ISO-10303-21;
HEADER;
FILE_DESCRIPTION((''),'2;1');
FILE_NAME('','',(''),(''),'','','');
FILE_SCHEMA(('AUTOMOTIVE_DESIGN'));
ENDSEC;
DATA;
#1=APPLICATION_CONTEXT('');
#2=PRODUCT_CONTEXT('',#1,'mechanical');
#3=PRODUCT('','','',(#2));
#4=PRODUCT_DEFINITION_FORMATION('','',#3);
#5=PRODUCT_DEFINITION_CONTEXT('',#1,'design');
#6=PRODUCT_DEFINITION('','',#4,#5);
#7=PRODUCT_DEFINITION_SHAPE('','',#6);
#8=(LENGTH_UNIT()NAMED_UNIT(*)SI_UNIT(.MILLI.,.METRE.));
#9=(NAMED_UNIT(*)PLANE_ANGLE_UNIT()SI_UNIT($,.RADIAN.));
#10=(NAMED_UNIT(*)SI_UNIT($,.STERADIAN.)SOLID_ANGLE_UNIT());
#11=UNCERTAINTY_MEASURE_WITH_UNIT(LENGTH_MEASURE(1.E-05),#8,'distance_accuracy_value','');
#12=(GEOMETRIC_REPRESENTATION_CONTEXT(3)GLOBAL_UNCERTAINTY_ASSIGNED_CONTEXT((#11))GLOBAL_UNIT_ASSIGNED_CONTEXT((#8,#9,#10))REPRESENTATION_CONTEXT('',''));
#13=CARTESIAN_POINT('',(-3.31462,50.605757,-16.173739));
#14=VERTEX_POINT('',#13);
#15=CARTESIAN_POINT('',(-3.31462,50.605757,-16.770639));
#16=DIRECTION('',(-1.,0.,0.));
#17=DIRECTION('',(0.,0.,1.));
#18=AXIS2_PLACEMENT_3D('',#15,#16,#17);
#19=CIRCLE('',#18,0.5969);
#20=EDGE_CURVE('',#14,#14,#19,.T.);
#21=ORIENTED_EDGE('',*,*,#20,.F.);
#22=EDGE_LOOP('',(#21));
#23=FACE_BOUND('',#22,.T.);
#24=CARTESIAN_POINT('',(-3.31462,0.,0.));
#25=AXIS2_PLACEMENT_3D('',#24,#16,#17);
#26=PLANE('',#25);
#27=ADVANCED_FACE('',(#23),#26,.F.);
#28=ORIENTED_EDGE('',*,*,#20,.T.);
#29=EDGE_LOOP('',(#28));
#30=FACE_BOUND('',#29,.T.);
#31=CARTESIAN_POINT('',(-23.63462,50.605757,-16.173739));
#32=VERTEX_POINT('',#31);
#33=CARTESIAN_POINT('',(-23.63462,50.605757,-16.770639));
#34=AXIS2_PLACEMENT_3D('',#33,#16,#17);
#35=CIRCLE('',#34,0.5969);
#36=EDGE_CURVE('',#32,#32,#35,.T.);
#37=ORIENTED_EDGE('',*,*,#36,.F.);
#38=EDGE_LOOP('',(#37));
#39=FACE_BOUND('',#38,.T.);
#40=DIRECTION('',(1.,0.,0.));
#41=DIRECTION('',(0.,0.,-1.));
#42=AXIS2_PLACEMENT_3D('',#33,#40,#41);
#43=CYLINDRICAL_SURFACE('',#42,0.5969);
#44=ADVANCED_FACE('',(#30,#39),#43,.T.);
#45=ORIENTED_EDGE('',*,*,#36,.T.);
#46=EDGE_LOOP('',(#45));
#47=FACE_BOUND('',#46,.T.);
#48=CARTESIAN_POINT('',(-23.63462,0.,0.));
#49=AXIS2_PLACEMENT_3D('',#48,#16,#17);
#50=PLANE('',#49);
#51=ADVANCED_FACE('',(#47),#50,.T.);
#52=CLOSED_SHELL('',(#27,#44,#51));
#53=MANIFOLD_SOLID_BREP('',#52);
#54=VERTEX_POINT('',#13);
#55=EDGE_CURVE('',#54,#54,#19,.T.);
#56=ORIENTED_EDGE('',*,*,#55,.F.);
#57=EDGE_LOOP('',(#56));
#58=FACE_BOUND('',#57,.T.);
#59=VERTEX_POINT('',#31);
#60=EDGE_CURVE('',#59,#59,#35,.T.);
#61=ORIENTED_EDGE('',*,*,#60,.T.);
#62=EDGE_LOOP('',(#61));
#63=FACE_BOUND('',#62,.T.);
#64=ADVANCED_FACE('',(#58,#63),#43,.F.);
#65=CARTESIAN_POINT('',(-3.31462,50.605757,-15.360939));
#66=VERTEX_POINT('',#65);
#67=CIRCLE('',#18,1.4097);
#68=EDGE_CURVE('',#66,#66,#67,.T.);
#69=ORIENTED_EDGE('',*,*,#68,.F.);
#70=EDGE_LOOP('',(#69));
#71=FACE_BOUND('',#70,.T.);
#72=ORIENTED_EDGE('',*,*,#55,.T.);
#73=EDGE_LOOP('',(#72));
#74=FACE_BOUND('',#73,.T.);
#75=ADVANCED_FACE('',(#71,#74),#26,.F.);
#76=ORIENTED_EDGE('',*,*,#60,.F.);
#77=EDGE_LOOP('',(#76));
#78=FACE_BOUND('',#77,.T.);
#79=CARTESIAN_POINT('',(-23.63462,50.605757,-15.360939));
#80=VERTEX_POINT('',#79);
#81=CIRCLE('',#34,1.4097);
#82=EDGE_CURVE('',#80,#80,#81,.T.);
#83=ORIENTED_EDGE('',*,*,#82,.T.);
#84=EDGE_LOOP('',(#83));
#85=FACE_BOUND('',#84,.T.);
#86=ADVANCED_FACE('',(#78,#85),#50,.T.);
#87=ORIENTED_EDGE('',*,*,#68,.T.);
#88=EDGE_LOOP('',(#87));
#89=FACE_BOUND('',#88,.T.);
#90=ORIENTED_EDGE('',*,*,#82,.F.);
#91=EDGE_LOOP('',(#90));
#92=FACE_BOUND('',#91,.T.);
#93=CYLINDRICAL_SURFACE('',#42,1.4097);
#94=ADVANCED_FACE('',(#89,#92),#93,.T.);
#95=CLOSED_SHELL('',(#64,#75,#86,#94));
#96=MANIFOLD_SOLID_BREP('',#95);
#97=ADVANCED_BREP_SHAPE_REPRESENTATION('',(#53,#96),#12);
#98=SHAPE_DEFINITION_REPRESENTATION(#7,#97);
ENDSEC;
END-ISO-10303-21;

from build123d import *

# Parameters (mm, degrees)
SKETCH1_R           = 0.5969
BOSS_EXTRUDE1_DEPTH = 20.32
SKETCH1_3_R         = 1.4097
SKETCH1_3_R_2       = 0.5969
BOSS_EXTRUDE2_DEPTH = 20.32


with BuildPart() as part:
    # Sketch1 → Boss-Extrude1 (new body)
    with BuildSketch(Plane.ZY.offset(3.314620275)):
        with Locations((-16.770638736, 50.605756537)):
            Circle(SKETCH1_R)
    extrude(amount=BOSS_EXTRUDE1_DEPTH)


with BuildPart() as body_2:
    # Sketch1<3> → Boss-Extrude2 (new body)
    with BuildSketch(Plane.ZY.offset(3.314620275)):
        with Locations((-16.770638736, 50.605756537)):
            Circle(SKETCH1_3_R)
        with Locations((-16.770638736, 50.605756537)):
            Circle(SKETCH1_3_R_2, mode=Mode.SUBTRACT)
    extrude(amount=BOSS_EXTRUDE2_DEPTH)


solid = Compound([part.part, body_2.part])
